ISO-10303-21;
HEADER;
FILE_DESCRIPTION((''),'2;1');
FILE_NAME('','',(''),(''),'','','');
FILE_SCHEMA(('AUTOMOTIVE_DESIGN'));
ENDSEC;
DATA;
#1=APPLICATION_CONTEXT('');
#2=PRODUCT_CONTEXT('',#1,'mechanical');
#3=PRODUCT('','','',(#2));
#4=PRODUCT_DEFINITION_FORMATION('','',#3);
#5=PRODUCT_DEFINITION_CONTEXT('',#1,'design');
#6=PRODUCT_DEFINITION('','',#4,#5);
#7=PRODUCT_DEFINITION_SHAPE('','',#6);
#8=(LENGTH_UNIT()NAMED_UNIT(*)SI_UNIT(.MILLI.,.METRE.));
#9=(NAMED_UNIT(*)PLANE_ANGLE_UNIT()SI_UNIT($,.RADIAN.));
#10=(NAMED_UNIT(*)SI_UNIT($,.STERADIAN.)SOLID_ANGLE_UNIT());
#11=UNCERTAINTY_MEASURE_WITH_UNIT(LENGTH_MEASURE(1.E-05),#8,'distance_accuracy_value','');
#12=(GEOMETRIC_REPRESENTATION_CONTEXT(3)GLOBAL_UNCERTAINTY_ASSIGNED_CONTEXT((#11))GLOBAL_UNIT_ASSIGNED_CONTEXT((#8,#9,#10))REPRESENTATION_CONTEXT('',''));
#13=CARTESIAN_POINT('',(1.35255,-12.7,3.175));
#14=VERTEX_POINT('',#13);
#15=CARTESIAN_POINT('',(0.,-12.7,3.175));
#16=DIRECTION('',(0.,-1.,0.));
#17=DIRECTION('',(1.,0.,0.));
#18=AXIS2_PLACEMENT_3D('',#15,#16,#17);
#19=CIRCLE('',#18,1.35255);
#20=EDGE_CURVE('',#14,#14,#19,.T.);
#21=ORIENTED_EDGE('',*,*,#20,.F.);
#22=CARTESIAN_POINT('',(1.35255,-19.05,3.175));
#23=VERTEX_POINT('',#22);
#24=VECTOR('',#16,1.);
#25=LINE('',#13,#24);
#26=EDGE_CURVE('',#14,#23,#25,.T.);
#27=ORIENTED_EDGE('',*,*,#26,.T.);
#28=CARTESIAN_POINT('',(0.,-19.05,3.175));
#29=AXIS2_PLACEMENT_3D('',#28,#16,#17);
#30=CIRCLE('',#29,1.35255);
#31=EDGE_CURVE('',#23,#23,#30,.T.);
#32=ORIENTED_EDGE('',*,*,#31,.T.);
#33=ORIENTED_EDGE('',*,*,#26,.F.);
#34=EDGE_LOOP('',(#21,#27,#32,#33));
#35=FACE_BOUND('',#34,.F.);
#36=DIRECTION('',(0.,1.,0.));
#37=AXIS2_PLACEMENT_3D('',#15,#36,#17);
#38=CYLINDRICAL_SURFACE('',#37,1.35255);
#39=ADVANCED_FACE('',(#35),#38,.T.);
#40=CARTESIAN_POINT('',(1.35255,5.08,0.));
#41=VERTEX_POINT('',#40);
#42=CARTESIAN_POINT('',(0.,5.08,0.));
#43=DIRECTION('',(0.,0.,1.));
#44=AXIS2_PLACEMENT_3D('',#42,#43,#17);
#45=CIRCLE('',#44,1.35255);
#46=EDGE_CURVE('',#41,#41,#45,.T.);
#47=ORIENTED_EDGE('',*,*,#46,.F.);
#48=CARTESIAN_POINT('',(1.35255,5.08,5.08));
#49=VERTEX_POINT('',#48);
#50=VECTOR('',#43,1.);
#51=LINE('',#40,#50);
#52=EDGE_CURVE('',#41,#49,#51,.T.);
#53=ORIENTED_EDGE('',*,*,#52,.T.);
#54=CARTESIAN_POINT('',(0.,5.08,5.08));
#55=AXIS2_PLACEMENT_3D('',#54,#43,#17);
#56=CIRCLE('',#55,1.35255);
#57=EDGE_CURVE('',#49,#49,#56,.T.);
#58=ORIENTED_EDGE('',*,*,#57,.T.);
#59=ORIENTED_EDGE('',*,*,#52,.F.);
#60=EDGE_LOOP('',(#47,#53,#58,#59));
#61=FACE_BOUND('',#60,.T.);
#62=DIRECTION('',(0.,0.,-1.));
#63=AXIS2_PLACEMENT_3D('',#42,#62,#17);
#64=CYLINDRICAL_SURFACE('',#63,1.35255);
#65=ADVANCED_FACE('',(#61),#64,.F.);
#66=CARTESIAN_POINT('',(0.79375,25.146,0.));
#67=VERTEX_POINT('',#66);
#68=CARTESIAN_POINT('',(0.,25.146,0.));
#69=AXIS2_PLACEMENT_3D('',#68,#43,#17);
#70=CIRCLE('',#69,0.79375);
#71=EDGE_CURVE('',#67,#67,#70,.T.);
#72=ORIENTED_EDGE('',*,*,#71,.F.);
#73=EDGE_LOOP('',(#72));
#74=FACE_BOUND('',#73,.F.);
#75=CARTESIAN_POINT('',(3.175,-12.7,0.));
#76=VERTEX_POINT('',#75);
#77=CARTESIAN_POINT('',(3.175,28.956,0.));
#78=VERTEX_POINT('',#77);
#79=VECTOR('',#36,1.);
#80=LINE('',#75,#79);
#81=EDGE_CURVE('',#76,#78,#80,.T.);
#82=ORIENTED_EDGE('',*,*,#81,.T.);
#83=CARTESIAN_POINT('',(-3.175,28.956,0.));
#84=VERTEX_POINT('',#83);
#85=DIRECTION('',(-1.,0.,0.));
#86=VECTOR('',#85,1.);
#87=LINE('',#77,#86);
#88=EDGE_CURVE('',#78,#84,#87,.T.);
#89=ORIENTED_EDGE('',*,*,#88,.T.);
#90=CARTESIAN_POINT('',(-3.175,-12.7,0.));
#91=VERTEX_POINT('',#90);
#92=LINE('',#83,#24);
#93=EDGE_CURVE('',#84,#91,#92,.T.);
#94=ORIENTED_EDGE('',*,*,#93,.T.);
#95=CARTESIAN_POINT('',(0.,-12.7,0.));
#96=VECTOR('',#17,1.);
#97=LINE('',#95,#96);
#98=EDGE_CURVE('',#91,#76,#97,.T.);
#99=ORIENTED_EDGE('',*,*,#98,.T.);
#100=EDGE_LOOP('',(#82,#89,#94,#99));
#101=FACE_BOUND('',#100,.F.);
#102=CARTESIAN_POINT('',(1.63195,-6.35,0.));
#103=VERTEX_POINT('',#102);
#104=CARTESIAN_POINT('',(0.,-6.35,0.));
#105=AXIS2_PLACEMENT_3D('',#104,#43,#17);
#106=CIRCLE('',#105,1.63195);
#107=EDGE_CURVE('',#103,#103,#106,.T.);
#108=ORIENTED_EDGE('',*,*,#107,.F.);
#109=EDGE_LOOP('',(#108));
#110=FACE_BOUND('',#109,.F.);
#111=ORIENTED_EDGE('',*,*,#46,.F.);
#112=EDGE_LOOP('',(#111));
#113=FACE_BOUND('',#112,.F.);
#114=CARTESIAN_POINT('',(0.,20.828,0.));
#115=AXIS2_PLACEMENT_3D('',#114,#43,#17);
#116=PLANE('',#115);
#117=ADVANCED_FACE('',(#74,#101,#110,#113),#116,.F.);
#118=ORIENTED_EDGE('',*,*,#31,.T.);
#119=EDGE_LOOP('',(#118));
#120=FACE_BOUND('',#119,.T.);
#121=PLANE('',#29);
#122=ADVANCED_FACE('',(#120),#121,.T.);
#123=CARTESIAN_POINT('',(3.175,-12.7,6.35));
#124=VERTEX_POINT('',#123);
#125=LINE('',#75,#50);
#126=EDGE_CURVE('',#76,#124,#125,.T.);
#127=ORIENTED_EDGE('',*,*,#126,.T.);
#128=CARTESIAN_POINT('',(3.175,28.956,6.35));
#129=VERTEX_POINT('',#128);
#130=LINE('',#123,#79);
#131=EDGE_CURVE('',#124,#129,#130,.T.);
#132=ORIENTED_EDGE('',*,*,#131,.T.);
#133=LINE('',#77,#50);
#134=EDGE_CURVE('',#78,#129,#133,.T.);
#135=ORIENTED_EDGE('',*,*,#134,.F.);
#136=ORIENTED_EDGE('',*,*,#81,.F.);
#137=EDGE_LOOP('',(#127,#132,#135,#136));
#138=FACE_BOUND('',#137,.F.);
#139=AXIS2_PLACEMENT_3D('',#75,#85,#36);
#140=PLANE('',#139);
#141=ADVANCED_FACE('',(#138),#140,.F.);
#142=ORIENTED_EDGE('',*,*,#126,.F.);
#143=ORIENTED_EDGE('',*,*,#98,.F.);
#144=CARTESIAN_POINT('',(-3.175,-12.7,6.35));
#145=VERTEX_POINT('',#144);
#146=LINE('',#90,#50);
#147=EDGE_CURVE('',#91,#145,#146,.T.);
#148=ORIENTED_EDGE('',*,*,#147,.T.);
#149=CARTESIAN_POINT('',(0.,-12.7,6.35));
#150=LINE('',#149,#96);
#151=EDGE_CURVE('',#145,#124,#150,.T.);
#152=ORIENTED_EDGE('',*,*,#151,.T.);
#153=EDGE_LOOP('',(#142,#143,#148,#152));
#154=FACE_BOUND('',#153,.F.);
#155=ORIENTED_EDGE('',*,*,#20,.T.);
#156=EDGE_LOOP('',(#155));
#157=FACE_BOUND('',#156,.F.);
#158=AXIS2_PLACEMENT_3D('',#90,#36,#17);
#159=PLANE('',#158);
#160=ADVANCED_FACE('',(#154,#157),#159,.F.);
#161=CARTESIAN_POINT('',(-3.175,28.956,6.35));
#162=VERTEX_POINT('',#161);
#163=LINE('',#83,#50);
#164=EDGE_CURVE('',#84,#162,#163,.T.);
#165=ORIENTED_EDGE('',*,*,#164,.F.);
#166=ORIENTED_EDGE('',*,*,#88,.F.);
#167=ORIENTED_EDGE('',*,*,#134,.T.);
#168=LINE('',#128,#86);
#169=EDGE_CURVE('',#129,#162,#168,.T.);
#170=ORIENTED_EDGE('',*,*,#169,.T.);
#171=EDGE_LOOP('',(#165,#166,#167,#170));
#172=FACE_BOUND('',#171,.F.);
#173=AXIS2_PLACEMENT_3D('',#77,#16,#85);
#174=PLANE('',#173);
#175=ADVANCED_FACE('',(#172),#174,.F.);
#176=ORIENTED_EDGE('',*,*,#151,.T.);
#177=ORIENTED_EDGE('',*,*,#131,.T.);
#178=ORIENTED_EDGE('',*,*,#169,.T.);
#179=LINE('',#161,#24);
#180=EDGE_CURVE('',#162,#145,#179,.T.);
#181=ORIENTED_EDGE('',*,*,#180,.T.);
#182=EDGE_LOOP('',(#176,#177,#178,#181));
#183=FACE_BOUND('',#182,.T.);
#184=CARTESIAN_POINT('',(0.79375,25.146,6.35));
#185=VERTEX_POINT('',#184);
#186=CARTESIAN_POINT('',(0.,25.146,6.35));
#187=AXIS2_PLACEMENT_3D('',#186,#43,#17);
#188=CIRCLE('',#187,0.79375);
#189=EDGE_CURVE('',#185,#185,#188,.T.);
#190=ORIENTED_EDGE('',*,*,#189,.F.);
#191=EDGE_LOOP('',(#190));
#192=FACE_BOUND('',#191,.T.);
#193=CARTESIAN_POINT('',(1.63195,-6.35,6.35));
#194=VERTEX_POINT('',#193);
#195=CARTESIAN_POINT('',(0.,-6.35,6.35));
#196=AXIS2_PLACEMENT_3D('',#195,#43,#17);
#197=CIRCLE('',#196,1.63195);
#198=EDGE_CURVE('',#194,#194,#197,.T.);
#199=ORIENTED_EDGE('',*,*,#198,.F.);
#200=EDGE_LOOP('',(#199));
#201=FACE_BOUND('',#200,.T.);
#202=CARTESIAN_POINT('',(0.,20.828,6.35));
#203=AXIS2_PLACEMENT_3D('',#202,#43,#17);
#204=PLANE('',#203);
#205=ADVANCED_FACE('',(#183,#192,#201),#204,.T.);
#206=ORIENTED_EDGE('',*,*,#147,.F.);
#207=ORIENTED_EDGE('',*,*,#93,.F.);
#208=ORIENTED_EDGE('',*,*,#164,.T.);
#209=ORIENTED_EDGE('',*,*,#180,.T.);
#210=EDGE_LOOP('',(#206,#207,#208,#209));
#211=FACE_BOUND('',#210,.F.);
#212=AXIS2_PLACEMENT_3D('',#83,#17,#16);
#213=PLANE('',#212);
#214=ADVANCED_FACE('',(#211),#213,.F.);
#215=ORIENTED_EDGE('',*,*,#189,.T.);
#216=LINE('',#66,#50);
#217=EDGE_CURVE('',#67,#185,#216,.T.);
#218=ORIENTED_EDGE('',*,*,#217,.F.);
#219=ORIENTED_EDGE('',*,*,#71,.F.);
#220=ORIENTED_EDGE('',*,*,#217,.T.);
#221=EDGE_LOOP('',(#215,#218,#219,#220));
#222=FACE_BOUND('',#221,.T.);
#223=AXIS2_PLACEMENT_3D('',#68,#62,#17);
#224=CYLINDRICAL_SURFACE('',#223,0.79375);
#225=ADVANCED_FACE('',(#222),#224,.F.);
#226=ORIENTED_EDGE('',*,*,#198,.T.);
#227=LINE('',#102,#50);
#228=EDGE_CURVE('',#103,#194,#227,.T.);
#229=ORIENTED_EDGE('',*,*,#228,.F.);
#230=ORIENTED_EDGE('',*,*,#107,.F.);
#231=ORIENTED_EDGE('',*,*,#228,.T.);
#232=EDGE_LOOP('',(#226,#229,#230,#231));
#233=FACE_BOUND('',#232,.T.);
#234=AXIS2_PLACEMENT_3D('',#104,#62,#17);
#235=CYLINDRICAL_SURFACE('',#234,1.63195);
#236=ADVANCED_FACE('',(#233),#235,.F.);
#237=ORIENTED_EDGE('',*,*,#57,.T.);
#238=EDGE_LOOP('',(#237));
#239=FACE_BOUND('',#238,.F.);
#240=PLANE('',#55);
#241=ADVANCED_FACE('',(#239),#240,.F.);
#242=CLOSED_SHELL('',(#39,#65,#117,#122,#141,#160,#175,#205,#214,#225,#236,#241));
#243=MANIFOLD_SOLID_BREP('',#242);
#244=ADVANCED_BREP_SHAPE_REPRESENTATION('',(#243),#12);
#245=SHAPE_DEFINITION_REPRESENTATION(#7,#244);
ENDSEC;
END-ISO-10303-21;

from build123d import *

# Parameters (mm, degrees)
F0_R     = 0.79375
F0_W     = 6.35
F0_H     = 25.4
F0_R_2   = 1.63195
F0_R_3   = 1.35255
F1_DEPTH = 6.35
F2_DEPTH = 5.08
F3_R     = 1.35255
F4_DEPTH = 6.35


with BuildPart() as f1:
    # F0 (on Top) → F1 (new body)
    with BuildSketch(Plane.XY):
        Polygon((-3.175, 25.146), (-3.175, 12.7), (3.175, 12.7), (3.175, 25.146), (3.175, 28.956), (-3.175, 28.956), align=None)
        with Locations((0, 25.146)):
            Circle(F0_R, mode=Mode.SUBTRACT)
        Rectangle(F0_W, F0_H)
        with Locations((0, -6.35)):
            Circle(F0_R_2, mode=Mode.SUBTRACT)
        with Locations((0, 5.08)):
            Circle(F0_R_3, mode=Mode.SUBTRACT)
        with Locations((0, 5.08)):
            Circle(F0_R_3)
    extrude(amount=F1_DEPTH)

    # F0 (on Top) → F2 (cut)
    with BuildSketch(Plane.XY):
        with Locations((0, 5.08)):
            Circle(F0_R_3)
    extrude(amount=F2_DEPTH, mode=Mode.SUBTRACT)

    # F3 (on face) → F4 (join)
    with BuildSketch(Plane.XZ.offset(12.7)):
        with Locations((0, 3.175)):
            Circle(F3_R)
    extrude(amount=F4_DEPTH)


solid = f1.part
